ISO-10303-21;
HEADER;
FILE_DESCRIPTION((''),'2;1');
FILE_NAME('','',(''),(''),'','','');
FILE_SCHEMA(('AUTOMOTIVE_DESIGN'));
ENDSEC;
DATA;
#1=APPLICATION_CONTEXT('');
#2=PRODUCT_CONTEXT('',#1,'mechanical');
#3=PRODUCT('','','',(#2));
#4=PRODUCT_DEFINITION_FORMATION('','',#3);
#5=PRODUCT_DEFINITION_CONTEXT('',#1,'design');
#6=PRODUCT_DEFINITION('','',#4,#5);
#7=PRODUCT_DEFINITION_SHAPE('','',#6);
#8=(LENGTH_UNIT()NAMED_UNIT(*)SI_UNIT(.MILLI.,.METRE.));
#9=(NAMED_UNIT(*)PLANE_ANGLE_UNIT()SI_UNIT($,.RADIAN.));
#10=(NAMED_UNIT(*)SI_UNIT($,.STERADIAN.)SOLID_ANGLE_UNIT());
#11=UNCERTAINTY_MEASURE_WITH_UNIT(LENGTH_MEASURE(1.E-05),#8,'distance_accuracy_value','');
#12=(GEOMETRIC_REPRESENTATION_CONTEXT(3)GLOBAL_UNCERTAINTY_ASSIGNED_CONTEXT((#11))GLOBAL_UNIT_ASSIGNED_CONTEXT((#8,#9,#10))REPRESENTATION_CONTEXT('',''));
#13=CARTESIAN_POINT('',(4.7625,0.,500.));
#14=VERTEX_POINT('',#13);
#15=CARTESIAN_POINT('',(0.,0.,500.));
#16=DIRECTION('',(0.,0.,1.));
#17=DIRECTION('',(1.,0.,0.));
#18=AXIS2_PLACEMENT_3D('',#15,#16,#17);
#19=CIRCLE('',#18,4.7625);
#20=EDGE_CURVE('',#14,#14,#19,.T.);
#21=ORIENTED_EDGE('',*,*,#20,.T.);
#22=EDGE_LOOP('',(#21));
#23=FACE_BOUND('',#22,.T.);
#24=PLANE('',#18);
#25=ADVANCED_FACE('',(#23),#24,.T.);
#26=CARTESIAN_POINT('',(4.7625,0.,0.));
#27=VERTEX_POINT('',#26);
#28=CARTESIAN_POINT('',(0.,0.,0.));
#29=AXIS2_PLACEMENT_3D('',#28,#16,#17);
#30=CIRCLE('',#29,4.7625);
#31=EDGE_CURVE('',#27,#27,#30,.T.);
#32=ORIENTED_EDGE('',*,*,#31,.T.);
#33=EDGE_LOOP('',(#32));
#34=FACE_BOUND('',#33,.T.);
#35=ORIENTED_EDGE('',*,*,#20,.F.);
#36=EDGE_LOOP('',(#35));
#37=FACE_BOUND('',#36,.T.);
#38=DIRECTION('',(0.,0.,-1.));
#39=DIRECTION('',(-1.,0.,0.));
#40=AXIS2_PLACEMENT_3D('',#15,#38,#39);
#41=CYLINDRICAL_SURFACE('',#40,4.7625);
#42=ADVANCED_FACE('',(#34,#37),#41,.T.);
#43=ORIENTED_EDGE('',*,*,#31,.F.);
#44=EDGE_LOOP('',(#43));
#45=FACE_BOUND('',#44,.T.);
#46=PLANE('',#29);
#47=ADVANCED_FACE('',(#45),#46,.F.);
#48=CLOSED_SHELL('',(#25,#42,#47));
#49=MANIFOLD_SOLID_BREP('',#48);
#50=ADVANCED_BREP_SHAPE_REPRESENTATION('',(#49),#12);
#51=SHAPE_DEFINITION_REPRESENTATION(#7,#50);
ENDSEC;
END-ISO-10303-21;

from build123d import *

# Parameters (mm, degrees)
SKETCH1_R           = 4.7625
BOSS_EXTRUDE1_DEPTH = 500


with BuildPart() as part:
    # Sketch1 → Boss-Extrude1 (new body)
    with BuildSketch(Plane.XY):
        Circle(SKETCH1_R)
    extrude(amount=BOSS_EXTRUDE1_DEPTH)


solid = part.part
